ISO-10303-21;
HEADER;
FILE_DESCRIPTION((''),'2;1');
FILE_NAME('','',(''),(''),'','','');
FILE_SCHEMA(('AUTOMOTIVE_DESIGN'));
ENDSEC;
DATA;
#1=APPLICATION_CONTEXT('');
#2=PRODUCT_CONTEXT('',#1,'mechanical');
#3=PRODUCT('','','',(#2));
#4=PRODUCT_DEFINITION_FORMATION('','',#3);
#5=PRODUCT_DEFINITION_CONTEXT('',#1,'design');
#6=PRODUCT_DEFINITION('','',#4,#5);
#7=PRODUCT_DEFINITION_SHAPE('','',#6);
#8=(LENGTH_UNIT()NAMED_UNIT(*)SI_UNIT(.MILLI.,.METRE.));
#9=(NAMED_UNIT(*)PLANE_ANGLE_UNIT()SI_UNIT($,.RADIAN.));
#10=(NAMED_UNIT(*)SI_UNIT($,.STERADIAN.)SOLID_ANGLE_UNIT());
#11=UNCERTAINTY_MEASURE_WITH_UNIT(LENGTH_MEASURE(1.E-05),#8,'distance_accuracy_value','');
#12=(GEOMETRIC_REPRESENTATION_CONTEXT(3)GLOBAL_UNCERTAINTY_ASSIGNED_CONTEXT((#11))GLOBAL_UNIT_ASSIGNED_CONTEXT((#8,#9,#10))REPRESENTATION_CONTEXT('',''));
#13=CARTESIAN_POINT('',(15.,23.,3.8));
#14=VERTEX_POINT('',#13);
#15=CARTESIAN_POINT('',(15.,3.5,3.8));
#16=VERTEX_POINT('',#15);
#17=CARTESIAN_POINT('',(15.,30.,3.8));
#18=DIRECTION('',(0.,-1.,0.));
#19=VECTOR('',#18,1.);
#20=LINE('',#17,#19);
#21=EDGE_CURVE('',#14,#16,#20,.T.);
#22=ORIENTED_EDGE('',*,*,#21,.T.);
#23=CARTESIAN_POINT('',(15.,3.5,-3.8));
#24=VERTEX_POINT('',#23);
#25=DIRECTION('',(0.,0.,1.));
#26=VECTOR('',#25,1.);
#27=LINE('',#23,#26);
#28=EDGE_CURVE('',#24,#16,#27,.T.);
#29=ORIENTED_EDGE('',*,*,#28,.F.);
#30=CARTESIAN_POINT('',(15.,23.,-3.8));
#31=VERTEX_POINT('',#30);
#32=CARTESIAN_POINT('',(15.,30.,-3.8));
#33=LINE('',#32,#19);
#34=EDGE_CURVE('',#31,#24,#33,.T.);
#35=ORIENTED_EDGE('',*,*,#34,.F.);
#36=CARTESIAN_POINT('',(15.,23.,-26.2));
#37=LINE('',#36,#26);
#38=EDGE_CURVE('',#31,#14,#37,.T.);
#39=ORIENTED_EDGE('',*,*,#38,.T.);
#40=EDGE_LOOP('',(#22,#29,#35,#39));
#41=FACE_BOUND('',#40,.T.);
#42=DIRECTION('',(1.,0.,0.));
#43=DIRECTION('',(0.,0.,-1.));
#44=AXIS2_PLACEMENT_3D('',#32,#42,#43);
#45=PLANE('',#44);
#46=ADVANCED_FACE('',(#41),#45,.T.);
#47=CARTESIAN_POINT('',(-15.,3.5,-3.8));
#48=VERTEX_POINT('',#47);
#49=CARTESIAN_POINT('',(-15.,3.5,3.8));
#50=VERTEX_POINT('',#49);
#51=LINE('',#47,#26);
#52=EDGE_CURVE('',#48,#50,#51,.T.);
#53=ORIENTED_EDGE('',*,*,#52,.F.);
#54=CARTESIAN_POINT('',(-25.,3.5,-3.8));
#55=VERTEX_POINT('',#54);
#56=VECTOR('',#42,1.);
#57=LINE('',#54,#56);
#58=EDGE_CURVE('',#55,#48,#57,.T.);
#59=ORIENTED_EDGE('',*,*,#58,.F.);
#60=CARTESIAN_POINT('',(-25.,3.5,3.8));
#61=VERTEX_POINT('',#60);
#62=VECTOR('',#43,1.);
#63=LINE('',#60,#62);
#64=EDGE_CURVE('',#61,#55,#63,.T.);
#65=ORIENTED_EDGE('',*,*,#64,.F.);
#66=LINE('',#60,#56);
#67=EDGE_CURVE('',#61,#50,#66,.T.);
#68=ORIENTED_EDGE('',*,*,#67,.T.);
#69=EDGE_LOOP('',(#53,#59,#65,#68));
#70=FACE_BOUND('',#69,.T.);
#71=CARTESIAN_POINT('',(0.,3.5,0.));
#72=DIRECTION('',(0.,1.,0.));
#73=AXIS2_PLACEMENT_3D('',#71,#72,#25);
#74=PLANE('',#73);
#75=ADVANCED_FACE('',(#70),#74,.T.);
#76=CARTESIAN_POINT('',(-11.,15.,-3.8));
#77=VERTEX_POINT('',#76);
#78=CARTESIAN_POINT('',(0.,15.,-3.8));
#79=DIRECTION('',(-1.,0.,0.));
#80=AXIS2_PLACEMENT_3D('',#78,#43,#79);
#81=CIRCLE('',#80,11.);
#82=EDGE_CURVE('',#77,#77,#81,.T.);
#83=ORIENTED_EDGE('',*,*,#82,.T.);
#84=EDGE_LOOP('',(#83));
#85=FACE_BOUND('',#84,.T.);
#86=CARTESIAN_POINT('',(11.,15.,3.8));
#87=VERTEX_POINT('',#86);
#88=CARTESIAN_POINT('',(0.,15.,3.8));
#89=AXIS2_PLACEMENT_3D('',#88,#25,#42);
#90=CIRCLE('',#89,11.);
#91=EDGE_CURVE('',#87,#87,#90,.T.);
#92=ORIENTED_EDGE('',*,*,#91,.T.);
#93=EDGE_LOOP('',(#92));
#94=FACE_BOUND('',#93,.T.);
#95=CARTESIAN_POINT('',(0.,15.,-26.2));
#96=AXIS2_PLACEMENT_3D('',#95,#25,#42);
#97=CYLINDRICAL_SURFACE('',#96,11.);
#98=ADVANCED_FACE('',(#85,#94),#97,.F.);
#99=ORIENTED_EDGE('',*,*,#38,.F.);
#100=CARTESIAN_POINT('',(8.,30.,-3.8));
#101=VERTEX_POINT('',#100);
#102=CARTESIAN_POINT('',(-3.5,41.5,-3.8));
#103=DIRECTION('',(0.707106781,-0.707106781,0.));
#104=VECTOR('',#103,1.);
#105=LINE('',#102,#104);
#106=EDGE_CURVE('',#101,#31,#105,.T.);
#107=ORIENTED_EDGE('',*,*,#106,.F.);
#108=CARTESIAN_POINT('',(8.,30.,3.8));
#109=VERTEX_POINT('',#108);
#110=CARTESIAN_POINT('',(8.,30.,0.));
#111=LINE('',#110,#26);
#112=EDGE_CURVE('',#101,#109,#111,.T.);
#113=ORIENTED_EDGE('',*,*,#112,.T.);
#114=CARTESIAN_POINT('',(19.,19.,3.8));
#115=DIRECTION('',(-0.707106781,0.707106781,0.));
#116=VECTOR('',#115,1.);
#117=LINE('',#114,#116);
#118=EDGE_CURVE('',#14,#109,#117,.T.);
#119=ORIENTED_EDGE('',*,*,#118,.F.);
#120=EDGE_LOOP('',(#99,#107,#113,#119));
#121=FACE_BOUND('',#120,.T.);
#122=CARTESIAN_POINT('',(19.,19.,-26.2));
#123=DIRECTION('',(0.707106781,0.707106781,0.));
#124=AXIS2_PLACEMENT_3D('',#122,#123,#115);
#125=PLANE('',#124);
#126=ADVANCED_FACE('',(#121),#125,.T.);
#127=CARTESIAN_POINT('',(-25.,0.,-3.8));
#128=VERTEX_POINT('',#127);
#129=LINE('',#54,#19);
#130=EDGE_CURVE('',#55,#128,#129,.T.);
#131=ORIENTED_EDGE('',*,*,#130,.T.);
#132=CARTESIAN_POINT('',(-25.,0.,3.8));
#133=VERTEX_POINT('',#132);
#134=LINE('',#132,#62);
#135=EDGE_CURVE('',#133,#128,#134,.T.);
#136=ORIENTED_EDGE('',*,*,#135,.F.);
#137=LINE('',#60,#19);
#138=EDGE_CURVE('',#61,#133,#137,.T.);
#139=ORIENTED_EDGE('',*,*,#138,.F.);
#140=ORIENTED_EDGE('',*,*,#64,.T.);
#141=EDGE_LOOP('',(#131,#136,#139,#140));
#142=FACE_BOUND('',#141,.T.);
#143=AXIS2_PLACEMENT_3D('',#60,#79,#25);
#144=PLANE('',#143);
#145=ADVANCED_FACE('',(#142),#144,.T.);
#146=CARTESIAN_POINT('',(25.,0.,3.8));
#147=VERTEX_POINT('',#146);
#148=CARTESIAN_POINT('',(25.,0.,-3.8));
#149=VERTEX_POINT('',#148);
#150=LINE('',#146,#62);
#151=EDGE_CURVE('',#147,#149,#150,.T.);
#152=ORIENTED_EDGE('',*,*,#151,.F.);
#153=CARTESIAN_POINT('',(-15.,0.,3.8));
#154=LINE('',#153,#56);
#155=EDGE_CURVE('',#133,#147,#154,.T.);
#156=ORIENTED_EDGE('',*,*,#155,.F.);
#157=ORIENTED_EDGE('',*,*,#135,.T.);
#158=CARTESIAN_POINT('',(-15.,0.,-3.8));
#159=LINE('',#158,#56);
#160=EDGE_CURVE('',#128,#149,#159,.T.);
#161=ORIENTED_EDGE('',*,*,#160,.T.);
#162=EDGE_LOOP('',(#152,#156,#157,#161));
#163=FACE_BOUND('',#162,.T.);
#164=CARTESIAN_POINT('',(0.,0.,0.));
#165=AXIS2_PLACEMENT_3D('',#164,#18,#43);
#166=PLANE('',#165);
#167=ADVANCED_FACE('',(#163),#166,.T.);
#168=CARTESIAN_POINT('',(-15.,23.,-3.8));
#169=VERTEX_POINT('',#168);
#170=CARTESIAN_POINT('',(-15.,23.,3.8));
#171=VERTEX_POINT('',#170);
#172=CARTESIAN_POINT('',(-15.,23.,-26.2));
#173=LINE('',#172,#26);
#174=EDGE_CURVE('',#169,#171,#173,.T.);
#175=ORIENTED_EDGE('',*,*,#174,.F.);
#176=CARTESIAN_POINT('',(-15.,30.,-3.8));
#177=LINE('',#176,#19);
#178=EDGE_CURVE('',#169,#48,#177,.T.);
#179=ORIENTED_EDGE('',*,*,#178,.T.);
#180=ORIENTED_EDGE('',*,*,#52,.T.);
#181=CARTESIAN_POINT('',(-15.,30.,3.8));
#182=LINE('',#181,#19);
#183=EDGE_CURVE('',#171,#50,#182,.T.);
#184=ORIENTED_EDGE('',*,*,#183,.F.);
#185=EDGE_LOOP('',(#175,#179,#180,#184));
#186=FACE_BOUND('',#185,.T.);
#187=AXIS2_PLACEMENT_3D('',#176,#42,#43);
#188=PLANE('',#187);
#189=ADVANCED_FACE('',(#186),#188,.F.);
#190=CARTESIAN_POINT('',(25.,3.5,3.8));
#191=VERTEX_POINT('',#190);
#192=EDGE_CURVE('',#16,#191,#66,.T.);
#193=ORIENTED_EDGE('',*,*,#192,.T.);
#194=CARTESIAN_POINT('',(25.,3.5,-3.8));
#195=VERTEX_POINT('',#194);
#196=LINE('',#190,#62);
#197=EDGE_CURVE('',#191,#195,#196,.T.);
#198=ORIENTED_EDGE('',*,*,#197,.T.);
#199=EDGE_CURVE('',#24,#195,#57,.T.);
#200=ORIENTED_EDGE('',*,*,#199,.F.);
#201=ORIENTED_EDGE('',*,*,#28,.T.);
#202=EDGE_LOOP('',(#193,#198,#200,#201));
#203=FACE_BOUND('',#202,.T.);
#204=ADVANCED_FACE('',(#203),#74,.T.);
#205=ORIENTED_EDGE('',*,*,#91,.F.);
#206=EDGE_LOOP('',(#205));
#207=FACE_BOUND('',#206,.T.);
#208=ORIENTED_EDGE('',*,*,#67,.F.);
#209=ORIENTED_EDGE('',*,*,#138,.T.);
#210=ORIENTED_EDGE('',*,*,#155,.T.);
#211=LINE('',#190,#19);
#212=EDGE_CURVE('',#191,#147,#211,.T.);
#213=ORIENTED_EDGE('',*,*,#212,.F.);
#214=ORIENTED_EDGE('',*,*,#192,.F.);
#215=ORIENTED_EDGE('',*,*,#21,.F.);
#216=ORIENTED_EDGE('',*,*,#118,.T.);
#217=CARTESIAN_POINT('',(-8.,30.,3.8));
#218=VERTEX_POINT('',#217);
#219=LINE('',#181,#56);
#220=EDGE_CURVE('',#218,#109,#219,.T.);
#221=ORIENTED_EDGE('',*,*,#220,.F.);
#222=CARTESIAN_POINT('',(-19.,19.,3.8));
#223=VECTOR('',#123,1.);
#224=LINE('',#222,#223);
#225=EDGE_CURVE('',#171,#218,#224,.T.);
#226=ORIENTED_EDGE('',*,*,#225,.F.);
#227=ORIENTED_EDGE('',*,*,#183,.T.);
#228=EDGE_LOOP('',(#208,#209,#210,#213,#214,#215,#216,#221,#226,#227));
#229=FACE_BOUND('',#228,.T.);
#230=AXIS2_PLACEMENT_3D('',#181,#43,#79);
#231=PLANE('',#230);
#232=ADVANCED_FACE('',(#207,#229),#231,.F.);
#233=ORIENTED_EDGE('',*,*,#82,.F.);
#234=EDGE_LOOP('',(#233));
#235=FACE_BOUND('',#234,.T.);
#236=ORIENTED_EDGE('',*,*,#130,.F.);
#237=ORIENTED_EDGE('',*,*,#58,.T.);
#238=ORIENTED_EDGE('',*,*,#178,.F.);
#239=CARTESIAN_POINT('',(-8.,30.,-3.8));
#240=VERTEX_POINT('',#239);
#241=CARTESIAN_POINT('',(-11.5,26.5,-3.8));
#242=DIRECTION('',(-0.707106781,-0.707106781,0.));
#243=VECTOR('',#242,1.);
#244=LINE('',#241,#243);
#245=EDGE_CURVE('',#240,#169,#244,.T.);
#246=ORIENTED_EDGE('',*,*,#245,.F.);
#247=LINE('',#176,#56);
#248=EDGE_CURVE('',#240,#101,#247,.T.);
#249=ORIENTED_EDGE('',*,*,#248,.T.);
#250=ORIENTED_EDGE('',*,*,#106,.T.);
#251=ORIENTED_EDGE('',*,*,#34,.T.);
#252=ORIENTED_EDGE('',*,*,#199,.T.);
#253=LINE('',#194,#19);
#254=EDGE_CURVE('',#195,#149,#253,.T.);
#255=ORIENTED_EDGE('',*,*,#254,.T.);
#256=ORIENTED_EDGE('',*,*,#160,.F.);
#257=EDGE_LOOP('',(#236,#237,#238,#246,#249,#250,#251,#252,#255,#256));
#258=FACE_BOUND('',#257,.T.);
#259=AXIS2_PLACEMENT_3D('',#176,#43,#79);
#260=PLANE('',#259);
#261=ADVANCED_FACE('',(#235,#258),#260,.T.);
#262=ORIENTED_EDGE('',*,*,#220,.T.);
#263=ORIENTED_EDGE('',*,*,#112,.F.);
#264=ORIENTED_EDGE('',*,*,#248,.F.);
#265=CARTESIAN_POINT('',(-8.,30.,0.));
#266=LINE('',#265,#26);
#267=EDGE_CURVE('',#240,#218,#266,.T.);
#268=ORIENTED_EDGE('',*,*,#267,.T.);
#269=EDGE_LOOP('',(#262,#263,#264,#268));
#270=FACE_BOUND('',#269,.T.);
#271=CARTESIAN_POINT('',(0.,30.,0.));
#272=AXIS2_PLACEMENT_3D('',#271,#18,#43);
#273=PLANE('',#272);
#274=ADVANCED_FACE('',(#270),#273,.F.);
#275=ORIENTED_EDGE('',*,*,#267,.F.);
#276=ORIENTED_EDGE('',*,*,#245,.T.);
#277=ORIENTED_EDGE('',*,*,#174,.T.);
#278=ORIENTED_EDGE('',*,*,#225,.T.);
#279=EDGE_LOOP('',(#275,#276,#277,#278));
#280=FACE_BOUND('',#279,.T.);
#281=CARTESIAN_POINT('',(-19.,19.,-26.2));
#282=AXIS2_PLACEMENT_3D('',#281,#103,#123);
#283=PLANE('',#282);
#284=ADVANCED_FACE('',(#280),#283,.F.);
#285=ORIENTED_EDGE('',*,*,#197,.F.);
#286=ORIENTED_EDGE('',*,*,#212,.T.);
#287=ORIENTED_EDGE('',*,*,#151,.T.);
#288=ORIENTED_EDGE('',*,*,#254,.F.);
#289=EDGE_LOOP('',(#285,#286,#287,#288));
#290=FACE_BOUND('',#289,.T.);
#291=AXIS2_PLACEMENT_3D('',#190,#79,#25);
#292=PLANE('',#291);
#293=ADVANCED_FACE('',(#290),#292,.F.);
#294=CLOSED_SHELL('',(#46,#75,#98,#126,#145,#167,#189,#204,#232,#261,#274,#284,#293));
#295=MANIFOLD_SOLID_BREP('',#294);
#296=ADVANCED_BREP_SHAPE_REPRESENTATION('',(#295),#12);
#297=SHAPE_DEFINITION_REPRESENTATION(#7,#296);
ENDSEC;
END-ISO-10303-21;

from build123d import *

# Parameters (mm, degrees)
SKETCH1_W           = 30
SKETCH1_H           = 7.6
BOSS_EXTRUDE1_DEPTH = 30
SKETCH2_R           = 11
CUT_EXTRUDE1_DEPTH  = 30
SKETCH3_W           = 50
SKETCH3_H           = 7.6
BOSS_EXTRUDE2_DEPTH = 3.5


with BuildPart() as part:
    # Sketch1 → Boss-Extrude1 (new body)
    with BuildSketch(Plane(origin=(0, 0, 0), x_dir=(1, 0, 0), z_dir=(0, 1, 0))):
        Rectangle(SKETCH1_W, SKETCH1_H)
    extrude(amount=BOSS_EXTRUDE1_DEPTH)

    # Sketch2 → Cut-Extrude1 (cut)
    with BuildSketch(Plane.XY.offset(3.8)):
        Polygon((-15, 30), (-15, 23), (-8, 30), align=None)
        Polygon((15, 30), (8, 30), (15, 23), align=None)
        with Locations((0, 15)):
            Circle(SKETCH2_R)
    extrude(amount=-CUT_EXTRUDE1_DEPTH, mode=Mode.SUBTRACT)

    # Sketch3 → Boss-Extrude2 (add)
    with BuildSketch(Plane.XZ):
        Rectangle(SKETCH3_W, SKETCH3_H)
    extrude(amount=-BOSS_EXTRUDE2_DEPTH)


solid = part.part
